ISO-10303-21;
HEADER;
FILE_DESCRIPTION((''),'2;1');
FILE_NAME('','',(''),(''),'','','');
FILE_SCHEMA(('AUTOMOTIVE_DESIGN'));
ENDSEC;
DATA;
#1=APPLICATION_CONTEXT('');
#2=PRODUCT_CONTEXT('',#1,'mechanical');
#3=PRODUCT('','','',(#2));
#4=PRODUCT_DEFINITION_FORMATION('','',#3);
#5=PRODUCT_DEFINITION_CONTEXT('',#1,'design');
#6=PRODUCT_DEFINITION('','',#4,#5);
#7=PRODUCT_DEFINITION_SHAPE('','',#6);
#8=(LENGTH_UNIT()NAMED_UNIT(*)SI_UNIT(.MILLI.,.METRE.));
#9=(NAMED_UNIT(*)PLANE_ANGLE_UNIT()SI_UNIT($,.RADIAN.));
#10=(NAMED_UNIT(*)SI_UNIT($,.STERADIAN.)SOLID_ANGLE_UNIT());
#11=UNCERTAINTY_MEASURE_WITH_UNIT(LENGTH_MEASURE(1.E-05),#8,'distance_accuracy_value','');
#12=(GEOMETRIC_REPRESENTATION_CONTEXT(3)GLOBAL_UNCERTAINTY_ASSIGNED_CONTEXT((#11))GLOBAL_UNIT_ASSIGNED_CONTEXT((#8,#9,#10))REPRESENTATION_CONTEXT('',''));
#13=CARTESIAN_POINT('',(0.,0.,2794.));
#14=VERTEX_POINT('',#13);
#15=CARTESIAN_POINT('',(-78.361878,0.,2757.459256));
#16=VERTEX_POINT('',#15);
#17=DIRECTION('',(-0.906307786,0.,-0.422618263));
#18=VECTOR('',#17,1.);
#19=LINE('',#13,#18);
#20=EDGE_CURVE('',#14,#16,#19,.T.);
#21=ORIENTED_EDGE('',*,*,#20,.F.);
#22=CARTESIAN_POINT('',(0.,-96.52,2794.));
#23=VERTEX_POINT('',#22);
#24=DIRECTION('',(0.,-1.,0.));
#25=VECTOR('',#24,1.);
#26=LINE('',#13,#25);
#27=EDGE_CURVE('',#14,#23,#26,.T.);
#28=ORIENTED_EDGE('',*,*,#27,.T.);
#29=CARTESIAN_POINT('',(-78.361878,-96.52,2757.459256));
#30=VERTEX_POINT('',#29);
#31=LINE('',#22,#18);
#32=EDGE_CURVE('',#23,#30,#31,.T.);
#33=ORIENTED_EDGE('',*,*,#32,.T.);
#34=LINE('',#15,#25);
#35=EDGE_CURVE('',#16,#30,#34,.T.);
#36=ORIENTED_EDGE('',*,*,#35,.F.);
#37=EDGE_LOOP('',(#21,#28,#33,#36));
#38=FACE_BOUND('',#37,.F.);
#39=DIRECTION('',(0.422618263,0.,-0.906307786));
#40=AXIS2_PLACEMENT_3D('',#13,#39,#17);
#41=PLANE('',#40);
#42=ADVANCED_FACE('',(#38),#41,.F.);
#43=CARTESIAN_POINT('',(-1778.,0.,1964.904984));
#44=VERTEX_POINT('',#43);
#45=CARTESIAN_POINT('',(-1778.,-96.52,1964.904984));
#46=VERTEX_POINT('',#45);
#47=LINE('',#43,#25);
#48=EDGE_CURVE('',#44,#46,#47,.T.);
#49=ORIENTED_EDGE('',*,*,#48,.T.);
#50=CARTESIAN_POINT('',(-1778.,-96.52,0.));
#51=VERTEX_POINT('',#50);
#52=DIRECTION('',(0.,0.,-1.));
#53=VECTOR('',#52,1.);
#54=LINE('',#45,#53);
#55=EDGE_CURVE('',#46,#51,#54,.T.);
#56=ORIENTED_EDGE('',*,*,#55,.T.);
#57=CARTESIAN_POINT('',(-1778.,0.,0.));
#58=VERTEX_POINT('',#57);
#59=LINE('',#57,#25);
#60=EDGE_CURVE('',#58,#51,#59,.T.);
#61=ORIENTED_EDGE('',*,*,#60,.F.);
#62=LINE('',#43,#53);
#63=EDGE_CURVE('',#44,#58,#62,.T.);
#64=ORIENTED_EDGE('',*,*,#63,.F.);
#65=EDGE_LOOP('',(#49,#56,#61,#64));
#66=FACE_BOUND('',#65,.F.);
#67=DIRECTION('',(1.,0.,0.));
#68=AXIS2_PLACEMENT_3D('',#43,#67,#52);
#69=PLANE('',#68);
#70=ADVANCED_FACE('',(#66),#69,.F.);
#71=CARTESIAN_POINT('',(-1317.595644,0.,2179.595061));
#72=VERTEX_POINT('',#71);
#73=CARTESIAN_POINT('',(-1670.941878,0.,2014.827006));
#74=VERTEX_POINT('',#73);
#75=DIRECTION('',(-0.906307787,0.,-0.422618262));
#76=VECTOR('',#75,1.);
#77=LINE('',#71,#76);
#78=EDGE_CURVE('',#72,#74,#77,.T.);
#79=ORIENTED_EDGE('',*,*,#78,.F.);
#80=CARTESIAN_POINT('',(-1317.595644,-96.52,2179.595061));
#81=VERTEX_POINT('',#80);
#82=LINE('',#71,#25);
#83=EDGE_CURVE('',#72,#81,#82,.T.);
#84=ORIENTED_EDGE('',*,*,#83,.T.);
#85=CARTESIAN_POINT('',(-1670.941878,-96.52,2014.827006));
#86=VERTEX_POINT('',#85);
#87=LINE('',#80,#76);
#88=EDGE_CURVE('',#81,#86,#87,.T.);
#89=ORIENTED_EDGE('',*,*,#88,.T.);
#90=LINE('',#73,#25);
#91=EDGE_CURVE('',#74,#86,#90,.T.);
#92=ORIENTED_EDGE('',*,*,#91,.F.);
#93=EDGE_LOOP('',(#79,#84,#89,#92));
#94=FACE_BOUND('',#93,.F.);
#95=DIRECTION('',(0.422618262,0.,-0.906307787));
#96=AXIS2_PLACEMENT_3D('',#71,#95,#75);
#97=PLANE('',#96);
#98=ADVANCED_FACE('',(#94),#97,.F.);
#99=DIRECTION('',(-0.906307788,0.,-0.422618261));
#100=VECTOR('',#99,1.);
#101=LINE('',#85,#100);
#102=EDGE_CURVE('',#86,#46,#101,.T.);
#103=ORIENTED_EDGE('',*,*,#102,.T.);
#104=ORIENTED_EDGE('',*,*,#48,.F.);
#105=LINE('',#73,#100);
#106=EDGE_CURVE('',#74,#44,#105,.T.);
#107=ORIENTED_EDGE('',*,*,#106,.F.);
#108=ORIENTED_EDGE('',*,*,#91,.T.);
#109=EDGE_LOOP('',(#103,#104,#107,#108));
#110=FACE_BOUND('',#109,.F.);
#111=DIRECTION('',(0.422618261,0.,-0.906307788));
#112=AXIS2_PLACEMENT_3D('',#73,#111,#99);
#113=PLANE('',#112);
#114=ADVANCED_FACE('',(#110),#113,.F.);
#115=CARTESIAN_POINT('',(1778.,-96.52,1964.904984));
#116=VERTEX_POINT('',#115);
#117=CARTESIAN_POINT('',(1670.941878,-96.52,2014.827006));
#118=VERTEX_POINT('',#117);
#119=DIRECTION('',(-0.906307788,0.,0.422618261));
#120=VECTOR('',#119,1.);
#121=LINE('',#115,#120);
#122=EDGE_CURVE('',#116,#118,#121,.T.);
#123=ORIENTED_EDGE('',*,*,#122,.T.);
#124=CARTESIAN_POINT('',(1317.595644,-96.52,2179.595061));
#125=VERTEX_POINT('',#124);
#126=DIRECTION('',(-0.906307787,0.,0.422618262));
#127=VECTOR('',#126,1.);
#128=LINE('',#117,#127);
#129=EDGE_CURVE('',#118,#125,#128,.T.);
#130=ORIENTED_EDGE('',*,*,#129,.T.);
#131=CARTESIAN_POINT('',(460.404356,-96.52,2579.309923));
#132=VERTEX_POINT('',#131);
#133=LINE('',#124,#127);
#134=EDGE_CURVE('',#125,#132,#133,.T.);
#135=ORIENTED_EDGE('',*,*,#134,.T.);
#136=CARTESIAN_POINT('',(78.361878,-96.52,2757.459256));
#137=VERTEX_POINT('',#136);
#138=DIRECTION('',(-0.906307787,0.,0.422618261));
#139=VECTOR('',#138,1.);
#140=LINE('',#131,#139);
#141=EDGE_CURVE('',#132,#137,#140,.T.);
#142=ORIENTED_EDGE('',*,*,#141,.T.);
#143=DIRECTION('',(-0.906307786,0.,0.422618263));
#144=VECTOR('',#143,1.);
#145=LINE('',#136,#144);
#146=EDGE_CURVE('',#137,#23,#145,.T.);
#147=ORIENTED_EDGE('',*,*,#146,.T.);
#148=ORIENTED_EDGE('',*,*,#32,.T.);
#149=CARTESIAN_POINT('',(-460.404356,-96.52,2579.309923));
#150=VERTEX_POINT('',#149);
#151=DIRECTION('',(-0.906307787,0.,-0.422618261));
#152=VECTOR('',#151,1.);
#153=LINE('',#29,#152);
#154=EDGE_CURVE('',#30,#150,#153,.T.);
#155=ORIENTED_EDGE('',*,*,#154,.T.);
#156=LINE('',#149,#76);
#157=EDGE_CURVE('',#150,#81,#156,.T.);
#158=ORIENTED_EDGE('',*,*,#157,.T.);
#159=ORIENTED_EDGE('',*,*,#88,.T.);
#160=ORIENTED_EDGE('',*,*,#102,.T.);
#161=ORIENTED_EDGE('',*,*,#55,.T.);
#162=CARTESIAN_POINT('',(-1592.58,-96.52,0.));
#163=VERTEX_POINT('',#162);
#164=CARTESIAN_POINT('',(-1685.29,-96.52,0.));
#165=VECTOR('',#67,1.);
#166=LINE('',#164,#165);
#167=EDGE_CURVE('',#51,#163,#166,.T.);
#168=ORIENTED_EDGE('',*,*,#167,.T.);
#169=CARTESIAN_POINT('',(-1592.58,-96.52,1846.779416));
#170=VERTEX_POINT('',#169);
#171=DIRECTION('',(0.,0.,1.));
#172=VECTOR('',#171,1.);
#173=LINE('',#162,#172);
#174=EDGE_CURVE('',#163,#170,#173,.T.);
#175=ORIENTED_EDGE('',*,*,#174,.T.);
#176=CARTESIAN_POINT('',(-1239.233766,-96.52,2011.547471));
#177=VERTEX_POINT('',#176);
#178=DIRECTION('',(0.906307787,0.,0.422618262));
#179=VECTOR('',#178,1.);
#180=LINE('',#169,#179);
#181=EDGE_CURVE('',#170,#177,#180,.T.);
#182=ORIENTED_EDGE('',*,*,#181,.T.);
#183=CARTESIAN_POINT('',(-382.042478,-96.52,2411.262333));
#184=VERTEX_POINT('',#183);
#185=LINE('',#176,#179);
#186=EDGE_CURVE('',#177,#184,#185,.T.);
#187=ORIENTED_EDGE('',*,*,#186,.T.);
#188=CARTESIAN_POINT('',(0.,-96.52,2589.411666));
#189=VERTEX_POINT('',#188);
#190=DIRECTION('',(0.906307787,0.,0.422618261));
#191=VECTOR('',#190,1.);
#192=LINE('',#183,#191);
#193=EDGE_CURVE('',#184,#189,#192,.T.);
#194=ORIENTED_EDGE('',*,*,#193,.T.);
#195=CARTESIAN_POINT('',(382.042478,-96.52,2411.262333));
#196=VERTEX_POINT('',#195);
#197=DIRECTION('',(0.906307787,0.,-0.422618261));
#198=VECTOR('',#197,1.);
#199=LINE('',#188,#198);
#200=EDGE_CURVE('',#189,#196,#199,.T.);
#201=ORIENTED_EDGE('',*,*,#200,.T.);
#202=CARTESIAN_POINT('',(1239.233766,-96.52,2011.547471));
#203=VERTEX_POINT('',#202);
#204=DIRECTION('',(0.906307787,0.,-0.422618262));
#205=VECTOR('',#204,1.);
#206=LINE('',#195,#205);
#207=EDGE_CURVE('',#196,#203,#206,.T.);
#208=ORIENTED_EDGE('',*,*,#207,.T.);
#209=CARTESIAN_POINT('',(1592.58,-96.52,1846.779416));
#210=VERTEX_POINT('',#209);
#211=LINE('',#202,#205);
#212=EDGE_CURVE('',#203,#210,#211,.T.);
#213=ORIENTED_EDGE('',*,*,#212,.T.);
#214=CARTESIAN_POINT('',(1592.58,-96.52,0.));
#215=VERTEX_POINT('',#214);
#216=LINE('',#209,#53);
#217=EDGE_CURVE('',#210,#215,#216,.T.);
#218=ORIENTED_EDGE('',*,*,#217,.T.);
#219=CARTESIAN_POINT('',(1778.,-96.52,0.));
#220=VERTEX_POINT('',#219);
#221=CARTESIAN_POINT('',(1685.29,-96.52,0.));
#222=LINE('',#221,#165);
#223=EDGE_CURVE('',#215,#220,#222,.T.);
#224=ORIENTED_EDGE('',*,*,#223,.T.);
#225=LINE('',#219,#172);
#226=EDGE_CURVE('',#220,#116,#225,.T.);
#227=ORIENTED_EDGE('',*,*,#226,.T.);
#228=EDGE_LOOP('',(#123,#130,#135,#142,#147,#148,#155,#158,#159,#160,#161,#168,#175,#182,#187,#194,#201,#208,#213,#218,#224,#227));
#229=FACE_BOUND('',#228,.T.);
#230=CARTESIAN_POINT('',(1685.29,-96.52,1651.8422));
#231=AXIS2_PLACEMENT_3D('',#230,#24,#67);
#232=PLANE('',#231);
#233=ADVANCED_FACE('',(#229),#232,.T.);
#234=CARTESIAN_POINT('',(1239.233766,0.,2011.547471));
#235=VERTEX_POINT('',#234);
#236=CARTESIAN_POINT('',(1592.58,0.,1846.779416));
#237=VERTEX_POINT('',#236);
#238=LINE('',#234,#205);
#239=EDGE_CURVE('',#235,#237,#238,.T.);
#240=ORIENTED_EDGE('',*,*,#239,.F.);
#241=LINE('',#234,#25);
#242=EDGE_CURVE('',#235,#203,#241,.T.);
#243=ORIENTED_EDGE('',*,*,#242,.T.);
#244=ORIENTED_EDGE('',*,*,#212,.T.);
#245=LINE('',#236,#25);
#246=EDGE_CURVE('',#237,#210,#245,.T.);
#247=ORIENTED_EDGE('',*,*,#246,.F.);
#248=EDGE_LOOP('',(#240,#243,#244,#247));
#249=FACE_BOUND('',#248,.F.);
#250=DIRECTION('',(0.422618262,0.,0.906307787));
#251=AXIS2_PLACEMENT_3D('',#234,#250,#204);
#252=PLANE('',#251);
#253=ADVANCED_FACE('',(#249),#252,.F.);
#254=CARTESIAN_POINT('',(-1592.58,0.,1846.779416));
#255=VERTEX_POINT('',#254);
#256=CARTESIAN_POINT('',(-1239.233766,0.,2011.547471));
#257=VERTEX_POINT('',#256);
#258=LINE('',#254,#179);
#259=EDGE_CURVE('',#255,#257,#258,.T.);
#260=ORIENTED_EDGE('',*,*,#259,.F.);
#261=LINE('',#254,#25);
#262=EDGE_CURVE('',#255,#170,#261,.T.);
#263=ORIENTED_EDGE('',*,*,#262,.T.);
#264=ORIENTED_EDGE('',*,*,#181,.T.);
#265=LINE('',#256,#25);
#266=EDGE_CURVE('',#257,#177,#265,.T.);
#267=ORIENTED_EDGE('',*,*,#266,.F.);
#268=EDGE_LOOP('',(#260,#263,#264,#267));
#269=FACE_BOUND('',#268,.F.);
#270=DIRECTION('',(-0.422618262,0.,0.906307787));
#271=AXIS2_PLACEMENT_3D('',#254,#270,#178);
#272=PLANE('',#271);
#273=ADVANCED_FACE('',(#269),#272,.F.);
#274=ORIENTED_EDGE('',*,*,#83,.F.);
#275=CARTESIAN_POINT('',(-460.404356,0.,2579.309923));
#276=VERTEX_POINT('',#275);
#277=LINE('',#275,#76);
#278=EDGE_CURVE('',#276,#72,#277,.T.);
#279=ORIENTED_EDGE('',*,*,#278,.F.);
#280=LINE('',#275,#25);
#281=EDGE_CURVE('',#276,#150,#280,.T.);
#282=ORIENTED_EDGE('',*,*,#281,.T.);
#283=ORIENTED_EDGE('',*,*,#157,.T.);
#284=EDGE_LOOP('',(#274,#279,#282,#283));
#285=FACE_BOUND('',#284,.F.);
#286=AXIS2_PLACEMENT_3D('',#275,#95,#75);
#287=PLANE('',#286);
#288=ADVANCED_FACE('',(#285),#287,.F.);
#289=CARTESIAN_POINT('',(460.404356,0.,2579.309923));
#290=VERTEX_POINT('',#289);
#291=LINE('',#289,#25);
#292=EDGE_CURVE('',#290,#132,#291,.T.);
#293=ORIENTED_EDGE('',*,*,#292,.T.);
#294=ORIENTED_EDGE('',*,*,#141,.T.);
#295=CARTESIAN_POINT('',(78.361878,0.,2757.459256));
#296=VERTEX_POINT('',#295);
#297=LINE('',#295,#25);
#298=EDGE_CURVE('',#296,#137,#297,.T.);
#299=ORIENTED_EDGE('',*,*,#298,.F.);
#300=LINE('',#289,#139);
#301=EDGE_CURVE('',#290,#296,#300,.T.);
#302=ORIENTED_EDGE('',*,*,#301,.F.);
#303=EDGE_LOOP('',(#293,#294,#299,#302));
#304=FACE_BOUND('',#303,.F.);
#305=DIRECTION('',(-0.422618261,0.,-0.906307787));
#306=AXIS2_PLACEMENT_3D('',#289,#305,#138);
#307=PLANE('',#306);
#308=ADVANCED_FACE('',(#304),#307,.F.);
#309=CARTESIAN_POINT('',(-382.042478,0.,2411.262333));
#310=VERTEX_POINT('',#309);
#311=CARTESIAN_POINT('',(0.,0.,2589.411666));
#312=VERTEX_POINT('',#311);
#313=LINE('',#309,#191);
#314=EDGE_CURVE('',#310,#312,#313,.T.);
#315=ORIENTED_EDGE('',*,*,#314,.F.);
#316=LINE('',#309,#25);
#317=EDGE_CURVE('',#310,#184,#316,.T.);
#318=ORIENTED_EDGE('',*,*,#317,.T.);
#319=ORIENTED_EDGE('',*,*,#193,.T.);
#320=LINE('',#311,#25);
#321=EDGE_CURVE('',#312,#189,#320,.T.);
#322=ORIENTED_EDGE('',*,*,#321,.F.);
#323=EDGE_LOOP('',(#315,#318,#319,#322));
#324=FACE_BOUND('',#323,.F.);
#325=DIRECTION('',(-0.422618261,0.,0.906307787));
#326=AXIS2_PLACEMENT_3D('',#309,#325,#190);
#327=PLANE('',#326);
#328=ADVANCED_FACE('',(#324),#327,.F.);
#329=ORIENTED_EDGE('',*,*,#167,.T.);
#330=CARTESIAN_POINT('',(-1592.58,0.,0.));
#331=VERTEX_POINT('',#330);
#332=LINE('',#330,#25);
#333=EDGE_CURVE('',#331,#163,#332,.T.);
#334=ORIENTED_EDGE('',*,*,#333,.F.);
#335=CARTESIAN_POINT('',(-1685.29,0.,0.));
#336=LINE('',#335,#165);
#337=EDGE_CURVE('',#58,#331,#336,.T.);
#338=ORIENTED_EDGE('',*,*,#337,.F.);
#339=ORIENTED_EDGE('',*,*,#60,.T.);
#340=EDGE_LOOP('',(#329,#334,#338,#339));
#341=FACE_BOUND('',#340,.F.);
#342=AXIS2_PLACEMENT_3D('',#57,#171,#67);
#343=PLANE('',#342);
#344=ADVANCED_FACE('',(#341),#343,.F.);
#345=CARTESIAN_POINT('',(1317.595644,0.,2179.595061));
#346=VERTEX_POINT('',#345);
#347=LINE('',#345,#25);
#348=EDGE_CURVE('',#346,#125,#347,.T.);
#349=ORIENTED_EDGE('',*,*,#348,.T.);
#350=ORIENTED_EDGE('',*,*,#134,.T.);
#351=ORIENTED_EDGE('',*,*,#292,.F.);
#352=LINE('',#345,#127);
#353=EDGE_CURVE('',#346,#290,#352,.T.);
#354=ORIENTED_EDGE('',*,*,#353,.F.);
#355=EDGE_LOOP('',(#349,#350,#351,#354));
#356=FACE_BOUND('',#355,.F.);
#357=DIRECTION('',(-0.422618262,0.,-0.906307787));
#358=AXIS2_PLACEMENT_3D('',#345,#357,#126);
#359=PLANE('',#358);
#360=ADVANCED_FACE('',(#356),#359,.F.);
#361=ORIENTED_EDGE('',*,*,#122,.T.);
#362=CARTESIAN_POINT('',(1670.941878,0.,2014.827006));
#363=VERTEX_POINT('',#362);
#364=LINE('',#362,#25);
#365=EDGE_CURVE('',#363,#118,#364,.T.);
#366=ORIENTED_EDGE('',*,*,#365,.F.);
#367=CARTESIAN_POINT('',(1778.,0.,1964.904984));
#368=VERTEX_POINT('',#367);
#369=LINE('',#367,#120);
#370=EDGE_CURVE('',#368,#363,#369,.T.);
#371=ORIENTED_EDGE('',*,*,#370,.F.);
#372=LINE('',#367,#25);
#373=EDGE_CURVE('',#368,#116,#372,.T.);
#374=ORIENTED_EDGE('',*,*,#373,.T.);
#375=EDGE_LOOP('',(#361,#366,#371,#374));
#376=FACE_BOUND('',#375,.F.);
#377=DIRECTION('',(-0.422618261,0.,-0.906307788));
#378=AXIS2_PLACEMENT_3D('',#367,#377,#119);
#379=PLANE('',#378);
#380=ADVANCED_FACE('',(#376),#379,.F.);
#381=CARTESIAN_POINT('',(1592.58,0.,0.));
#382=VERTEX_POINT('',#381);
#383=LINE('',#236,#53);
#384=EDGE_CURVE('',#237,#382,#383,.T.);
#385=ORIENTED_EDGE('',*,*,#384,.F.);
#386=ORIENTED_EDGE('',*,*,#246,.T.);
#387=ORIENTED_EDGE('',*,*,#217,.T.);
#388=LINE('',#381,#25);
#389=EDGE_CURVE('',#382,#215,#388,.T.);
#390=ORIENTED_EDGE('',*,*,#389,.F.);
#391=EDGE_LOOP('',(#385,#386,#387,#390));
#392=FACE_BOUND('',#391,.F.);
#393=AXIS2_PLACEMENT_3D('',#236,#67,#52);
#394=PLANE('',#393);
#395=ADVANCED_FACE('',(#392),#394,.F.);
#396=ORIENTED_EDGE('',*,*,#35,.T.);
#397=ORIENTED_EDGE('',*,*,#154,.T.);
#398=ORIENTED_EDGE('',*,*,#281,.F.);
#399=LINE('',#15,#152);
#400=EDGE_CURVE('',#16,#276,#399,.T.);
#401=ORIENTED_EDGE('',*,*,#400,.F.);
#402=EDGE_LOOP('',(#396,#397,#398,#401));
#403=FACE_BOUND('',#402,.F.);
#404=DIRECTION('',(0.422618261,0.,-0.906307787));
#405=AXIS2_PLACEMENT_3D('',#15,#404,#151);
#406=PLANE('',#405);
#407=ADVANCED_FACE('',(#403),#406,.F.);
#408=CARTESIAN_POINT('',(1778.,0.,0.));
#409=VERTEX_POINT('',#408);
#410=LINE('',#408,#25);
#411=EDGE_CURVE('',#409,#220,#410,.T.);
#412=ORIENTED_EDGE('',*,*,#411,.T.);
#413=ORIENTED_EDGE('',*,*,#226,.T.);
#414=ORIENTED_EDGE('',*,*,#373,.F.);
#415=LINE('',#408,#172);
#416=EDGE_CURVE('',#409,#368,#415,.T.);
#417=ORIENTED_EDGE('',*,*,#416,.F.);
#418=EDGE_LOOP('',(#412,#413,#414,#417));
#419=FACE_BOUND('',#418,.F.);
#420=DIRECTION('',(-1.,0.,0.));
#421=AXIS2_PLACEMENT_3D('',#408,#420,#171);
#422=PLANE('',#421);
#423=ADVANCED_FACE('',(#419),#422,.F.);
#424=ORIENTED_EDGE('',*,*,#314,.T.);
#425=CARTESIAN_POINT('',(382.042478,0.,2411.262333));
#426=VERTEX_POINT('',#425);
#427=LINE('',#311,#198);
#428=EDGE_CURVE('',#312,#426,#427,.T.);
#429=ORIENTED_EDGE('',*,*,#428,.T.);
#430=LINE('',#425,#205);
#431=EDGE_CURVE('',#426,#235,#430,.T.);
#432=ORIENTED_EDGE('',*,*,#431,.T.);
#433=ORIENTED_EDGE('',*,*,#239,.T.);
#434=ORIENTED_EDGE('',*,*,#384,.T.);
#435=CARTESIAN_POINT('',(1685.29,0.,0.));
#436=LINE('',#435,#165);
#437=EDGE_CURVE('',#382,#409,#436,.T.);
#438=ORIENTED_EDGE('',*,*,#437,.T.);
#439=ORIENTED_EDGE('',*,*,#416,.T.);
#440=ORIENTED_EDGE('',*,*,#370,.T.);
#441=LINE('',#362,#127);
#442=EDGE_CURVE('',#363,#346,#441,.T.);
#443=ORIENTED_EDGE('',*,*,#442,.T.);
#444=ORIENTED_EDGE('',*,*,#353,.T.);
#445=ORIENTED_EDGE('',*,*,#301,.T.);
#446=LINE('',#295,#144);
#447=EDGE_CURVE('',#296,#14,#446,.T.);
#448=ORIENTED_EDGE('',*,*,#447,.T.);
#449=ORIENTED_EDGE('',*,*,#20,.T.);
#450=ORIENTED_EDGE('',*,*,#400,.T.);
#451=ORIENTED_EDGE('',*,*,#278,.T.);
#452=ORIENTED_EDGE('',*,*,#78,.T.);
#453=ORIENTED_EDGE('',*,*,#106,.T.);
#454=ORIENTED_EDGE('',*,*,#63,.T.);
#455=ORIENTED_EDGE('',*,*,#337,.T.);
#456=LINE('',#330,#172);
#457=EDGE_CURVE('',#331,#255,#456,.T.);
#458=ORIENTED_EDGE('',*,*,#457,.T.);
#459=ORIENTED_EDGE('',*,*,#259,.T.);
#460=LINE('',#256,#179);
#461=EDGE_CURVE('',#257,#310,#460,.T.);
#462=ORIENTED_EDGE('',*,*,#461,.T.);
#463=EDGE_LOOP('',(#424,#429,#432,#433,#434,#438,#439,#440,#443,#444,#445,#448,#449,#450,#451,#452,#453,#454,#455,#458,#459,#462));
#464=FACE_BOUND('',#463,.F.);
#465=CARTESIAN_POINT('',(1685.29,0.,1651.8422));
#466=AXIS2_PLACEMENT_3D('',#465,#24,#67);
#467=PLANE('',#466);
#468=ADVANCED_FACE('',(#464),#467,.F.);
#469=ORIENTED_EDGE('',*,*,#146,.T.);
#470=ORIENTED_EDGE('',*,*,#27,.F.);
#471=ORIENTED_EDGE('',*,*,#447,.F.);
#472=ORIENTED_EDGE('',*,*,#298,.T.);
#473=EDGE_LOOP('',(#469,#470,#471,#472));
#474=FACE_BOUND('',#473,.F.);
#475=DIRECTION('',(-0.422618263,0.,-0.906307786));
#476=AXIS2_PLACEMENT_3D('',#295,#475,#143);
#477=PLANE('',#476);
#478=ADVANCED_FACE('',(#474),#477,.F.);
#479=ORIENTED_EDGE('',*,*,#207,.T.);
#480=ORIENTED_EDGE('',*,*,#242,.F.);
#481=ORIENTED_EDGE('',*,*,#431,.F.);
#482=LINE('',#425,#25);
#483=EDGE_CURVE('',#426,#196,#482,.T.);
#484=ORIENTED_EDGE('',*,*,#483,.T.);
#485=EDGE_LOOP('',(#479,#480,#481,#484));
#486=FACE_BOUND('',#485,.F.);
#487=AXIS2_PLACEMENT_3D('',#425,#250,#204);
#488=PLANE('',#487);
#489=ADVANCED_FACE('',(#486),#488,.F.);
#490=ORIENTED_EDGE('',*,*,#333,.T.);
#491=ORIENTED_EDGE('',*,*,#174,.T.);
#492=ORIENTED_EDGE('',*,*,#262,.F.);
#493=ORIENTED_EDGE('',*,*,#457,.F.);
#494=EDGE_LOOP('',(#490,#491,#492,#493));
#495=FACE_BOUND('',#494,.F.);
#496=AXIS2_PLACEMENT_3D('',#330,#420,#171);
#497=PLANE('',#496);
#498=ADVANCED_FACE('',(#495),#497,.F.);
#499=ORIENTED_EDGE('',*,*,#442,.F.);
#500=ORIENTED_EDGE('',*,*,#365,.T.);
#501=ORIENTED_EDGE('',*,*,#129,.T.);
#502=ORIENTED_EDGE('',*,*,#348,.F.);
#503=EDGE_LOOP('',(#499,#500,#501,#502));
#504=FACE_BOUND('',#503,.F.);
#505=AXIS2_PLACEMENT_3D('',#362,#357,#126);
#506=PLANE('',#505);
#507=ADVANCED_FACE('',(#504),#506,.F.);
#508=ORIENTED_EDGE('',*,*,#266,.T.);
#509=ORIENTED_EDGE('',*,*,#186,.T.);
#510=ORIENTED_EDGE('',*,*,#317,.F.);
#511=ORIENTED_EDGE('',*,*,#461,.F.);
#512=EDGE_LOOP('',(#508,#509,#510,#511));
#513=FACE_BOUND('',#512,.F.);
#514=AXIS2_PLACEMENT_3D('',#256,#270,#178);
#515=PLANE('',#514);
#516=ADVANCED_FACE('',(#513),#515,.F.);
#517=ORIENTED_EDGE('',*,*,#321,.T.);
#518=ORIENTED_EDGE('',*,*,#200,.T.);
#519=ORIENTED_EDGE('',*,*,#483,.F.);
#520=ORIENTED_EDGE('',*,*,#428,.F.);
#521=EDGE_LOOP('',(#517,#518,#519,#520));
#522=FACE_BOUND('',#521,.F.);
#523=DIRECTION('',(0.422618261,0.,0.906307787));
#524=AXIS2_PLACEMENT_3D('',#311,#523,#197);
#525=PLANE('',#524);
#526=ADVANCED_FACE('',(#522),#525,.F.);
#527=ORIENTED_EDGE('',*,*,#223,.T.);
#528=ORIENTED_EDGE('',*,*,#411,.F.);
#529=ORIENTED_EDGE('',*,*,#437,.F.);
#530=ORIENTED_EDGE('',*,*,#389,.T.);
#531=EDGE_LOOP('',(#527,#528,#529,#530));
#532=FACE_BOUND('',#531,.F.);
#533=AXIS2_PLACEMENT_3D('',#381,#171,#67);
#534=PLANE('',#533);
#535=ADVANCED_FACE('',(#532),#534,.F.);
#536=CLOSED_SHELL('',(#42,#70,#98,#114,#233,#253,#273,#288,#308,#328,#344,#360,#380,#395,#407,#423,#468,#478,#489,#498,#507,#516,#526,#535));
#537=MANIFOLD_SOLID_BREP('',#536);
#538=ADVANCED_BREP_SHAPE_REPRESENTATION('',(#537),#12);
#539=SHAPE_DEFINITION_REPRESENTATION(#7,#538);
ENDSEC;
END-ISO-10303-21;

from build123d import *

# Parameters (mm, degrees)
F0_W     = 185.42
F0_H     = 389.874432
F0_H_2   = 1456.904984
F1_DEPTH = 96.52


with BuildPart() as f1:
    # F0 (on Front) → F1 (new body)
    with BuildSketch(Plane.XZ):
        with Locations((1685.29, 1651.8422)):
            Rectangle(F0_W, F0_H)
        Polygon((1670.941878, 2014.827006), (1592.58, 1846.779416), (1778, 1964.904984), align=None)
        Polygon((460.404356, 2579.309923), (382.042478, 2411.262333), (1239.233766, 2011.547471), (1317.595644, 2179.595061), align=None)
        Polygon((-1778, 1964.904984), (-1592.58, 1846.779416), (-1670.941878, 2014.827006), align=None)
        with Locations((-1685.29, 728.452492)):
            Rectangle(F0_W, F0_H_2)
        Polygon((1317.595644, 2179.595061), (1239.233766, 2011.547471), (1592.58, 1846.779416), (1670.941878, 2014.827006), align=None)
        with Locations((1685.29, 728.452492)):
            Rectangle(F0_W, F0_H_2)
        Polygon((-1670.941878, 2014.827006), (-1592.58, 1846.779416), (-1239.233766, 2011.547471), (-1317.595644, 2179.595061), align=None)
        Polygon((78.361878, 2757.459256), (0, 2589.411666), (382.042478, 2411.262333), (460.404356, 2579.309923), align=None)
        with Locations((-1685.29, 1651.8422)):
            Rectangle(F0_W, F0_H)
        Polygon((-460.404356, 2579.309923), (-382.042478, 2411.262333), (0, 2589.411666), (-78.361878, 2757.459256), align=None)
        Polygon((-78.361878, 2757.459256), (0, 2589.411666), (0, 2794), align=None)
        Polygon((-1778, 1846.779416), (-1592.58, 1846.779416), (-1778, 1964.904984), align=None)
        Polygon((1778, 1964.904984), (1592.58, 1846.779416), (1778, 1846.779416), align=None)
        Polygon((-1317.595644, 2179.595061), (-1239.233766, 2011.547471), (-382.042478, 2411.262333), (-460.404356, 2579.309923), align=None)
        Polygon((0, 2794), (0, 2589.411666), (78.361878, 2757.459256), align=None)
    extrude(amount=F1_DEPTH)


solid = f1.part
